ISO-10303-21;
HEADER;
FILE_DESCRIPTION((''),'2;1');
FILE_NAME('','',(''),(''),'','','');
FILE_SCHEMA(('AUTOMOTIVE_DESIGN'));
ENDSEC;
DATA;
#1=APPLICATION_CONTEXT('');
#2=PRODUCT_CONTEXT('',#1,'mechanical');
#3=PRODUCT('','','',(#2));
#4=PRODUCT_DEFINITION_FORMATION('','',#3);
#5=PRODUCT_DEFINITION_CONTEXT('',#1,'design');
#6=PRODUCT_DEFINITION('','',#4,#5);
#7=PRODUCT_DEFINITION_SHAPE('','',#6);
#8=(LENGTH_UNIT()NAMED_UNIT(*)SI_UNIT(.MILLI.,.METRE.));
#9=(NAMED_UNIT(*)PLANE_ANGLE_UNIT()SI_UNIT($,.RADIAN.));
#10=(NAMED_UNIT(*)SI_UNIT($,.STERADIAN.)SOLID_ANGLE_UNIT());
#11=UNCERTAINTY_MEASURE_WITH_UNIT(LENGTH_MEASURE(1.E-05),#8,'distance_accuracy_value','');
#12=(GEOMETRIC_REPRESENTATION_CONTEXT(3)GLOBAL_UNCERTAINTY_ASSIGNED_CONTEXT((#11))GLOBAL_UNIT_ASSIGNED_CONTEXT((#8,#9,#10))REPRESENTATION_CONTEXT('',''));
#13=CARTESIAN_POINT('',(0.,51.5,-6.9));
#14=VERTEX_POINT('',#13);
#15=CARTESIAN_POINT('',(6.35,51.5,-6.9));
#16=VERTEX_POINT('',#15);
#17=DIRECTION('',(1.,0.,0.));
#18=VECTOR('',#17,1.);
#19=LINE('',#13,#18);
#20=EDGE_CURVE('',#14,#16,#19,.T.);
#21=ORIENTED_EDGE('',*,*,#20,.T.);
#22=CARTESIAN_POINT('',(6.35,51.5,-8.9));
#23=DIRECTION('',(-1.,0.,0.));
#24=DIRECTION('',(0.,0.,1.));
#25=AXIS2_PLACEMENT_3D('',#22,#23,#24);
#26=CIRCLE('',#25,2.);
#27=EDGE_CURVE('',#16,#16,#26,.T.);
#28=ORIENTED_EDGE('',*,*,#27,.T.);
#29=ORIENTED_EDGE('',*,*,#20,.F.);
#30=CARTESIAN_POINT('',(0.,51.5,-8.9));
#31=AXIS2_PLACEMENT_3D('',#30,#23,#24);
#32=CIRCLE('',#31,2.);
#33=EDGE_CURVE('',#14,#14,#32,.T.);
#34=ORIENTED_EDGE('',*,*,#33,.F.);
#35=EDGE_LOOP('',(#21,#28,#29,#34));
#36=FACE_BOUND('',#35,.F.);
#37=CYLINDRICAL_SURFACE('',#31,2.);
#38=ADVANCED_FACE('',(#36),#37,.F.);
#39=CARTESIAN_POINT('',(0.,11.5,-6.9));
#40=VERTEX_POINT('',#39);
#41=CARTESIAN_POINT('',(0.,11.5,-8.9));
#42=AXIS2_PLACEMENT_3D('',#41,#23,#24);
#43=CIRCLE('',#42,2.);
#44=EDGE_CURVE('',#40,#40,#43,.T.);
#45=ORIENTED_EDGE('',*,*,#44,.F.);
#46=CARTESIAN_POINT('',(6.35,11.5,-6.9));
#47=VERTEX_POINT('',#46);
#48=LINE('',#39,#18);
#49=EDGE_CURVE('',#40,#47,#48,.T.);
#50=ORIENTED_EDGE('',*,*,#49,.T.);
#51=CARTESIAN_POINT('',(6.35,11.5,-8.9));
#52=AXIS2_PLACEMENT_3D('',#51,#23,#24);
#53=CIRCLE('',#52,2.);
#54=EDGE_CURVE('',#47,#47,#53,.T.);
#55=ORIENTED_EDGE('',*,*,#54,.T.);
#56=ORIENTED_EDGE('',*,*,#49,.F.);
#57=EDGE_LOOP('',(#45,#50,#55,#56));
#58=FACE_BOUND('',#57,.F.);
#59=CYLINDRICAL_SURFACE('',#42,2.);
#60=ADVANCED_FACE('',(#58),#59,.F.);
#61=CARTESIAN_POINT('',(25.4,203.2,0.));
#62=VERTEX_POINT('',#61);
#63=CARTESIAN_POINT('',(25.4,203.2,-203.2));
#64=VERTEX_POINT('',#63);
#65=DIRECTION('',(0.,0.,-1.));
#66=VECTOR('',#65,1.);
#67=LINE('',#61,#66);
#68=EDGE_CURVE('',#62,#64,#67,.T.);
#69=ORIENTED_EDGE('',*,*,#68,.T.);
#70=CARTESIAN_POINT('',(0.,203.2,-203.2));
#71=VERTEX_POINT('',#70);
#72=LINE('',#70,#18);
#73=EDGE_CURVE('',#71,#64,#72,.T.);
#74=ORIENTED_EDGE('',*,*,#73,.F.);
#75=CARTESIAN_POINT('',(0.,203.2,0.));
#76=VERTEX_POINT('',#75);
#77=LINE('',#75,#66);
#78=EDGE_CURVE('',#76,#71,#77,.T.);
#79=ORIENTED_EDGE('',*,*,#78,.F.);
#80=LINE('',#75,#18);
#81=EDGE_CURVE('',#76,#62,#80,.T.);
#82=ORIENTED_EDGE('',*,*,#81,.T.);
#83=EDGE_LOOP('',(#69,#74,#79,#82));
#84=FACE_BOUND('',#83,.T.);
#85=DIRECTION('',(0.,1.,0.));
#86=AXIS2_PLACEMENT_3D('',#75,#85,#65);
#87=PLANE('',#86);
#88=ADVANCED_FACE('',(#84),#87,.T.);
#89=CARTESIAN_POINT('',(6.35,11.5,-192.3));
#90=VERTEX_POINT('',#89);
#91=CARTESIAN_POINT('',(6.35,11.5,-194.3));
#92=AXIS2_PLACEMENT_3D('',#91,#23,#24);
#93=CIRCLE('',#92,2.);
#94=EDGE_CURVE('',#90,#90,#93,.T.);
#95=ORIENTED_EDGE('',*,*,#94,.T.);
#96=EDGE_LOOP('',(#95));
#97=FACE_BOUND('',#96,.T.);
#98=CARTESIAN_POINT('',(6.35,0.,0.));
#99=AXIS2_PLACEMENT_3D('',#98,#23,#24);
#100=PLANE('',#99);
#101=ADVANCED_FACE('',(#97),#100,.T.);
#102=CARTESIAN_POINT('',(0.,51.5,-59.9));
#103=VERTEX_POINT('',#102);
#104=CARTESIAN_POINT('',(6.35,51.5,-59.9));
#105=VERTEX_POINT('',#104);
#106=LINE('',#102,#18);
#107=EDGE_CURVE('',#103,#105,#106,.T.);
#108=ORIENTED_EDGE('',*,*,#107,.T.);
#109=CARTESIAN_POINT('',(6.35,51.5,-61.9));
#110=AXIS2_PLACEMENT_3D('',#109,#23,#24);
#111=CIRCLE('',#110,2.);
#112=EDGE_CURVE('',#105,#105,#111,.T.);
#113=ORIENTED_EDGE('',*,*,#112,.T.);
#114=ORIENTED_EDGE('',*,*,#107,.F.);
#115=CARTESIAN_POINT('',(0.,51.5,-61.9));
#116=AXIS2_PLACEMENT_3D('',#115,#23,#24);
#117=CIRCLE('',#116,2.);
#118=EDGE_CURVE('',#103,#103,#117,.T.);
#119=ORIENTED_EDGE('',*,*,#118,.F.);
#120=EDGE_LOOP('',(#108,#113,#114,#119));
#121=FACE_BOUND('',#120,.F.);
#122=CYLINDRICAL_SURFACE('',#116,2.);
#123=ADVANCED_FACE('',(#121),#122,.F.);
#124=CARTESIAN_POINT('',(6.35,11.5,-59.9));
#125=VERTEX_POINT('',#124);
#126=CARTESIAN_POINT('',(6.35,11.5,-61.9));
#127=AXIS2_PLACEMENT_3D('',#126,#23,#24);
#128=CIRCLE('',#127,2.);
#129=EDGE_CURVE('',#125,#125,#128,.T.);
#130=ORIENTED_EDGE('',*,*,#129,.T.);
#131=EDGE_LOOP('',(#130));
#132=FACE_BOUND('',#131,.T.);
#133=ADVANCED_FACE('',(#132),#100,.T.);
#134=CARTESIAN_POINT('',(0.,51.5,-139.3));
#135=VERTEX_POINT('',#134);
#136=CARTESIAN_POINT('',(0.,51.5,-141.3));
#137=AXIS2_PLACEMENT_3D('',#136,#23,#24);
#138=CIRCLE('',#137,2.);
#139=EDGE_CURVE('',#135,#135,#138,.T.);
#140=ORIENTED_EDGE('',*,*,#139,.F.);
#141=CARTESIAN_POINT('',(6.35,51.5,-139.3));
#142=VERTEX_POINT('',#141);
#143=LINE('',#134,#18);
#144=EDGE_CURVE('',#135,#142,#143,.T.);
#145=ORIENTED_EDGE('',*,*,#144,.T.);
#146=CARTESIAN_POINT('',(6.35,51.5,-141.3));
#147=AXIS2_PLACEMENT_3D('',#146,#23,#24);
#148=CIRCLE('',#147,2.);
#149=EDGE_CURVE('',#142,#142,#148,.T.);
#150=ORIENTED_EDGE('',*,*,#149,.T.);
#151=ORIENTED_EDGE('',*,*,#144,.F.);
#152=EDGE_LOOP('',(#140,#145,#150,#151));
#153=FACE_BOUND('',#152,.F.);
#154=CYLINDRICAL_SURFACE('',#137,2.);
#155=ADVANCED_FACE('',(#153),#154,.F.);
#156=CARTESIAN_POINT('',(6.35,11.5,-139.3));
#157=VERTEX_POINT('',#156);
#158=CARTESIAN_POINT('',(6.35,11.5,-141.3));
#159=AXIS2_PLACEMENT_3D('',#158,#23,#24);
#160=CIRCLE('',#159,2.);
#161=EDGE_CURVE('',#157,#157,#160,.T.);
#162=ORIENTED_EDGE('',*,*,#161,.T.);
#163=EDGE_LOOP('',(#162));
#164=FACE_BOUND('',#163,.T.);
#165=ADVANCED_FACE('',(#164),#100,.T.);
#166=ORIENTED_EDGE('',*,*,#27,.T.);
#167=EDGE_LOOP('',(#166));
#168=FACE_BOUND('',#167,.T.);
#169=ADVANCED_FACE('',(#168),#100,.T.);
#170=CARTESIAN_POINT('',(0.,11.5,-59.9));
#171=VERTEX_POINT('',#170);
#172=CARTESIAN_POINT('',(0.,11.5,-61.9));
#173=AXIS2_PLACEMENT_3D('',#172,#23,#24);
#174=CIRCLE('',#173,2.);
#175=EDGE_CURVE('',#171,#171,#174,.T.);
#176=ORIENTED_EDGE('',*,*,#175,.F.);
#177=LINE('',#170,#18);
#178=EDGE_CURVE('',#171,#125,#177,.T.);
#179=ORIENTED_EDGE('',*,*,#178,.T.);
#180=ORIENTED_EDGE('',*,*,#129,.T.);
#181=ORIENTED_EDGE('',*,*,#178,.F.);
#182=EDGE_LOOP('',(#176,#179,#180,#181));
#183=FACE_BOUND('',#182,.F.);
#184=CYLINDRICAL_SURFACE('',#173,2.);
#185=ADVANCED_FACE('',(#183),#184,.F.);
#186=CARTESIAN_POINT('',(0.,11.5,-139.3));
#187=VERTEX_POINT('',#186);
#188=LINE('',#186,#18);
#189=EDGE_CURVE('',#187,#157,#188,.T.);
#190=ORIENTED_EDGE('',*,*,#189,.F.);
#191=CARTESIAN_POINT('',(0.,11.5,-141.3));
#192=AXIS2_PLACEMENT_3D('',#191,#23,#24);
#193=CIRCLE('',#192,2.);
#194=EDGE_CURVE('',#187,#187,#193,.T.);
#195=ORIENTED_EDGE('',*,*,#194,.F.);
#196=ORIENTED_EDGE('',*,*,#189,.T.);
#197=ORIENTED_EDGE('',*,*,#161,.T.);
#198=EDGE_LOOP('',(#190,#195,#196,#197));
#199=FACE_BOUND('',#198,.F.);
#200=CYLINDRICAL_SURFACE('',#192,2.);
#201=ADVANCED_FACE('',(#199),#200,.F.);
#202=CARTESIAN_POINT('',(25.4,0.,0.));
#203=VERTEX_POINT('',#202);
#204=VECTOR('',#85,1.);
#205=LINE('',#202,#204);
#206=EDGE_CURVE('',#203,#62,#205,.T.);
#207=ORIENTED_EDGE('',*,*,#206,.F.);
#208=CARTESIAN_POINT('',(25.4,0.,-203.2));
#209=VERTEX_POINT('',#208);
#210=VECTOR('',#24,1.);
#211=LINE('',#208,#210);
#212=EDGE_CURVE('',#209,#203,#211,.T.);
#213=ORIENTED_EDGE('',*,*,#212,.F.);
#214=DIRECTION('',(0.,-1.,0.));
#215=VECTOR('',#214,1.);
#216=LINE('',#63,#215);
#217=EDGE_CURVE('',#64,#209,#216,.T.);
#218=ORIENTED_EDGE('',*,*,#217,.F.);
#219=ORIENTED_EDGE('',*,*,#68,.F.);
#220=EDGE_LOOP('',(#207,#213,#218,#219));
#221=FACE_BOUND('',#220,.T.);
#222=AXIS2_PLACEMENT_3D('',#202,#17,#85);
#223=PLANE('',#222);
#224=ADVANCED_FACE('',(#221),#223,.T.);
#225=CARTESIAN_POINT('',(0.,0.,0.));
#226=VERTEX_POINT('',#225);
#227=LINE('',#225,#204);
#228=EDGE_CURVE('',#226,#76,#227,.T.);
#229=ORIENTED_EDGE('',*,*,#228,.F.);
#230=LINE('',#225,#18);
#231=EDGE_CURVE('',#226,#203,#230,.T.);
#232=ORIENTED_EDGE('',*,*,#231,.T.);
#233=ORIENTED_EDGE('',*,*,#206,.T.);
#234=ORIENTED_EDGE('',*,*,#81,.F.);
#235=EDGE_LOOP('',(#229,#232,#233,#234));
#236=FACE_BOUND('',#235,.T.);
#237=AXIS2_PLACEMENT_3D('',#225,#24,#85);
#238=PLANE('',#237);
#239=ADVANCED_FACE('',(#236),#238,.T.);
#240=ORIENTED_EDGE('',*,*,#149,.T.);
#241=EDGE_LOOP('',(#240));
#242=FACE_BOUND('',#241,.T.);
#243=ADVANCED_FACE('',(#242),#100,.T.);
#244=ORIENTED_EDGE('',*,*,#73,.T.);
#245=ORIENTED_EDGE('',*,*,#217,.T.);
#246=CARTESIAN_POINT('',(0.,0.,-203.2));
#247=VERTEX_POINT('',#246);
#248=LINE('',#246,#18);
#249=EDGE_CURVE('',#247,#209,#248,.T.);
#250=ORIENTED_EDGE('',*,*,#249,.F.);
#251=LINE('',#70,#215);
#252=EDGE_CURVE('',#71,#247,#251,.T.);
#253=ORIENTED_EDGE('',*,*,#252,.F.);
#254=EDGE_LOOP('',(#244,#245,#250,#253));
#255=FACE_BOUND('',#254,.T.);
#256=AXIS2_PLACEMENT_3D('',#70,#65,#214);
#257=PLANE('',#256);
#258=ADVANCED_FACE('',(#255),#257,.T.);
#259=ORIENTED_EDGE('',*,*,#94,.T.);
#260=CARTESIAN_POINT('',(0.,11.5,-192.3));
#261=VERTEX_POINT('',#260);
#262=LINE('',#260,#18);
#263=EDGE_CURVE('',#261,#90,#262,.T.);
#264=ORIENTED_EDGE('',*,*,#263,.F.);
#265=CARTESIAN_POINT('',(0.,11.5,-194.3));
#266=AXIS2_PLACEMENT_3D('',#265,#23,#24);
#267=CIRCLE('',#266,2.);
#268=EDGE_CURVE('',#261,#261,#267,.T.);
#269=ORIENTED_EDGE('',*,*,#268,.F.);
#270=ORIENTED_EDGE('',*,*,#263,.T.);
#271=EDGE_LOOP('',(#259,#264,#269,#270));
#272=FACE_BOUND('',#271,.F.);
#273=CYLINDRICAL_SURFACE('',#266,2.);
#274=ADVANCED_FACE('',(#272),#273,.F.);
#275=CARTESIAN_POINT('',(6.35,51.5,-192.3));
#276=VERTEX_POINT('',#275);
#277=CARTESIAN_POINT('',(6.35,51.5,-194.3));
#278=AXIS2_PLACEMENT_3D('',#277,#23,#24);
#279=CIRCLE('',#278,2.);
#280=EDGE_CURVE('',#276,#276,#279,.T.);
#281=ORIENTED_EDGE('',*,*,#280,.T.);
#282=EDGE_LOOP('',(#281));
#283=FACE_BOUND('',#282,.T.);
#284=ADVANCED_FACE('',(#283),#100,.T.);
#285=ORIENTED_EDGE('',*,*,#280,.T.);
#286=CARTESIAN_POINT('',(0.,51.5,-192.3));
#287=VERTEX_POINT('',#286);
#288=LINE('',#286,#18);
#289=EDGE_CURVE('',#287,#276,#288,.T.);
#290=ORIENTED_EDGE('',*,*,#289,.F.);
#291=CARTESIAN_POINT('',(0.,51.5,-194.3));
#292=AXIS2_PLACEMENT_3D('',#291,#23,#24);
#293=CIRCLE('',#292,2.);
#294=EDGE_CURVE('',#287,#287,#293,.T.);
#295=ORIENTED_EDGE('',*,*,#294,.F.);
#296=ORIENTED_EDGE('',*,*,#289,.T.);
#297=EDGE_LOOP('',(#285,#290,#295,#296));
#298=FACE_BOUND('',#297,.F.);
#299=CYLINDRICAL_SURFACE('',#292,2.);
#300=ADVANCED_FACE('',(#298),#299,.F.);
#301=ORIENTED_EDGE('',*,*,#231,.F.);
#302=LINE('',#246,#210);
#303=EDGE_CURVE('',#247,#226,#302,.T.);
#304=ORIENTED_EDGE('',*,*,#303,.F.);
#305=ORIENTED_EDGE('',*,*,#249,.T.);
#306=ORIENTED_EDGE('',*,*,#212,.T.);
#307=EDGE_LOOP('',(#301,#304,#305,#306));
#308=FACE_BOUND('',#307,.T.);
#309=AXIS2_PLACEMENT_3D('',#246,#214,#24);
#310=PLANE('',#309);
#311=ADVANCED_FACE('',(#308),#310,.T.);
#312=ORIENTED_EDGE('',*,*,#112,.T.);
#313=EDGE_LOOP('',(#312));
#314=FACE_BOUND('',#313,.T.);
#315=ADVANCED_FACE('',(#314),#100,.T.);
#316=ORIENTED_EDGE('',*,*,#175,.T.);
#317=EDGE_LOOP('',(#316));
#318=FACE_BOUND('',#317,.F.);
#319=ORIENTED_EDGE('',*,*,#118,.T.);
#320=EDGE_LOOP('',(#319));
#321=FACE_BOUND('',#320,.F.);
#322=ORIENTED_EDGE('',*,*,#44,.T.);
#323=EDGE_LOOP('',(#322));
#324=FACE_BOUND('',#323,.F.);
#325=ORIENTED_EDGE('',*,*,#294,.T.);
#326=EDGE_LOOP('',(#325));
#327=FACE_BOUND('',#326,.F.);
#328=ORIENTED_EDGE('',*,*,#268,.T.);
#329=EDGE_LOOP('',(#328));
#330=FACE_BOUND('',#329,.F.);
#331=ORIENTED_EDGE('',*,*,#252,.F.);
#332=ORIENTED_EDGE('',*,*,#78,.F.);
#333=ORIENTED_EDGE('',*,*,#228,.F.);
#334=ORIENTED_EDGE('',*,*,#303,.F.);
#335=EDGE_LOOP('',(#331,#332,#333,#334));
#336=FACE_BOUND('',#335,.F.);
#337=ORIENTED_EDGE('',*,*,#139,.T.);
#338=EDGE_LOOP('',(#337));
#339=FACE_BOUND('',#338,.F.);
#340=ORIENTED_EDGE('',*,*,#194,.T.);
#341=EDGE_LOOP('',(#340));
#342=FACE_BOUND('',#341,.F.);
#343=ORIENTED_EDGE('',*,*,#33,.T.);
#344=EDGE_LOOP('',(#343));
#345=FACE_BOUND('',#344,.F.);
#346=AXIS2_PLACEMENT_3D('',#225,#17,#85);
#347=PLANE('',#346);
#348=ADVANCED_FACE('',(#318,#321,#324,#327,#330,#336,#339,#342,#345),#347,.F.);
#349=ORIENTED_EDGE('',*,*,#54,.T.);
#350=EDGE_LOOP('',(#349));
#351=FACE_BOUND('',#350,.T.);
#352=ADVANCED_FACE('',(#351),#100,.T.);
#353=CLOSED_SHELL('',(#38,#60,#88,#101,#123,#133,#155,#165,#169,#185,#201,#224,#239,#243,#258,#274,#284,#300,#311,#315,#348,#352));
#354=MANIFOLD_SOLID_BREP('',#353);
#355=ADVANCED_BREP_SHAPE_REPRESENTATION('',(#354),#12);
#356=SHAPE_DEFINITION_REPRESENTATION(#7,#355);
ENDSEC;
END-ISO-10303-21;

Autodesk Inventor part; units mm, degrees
ref_plane "YZ Plane" through (0, 0, 0) normal (1, 0, 0) x (0, 1, 0)
ref_plane "XZ Plane" through (0, 0, 0) normal (0, 1, 0) x (-1, 0, 0)
ref_plane "XY Plane" through (0, 0, 0) normal (0, 0, 1) x (1, 0, 0)
sketch "Sketch1" plane through (0, 0, 0) normal (1, 0, 0) x (0, 1, 0)
  line L0 (0, 0) -> (203.2, 0)
  line L1 (203.2, 0) -> (203.2, -203.2)
  line L2 (203.2, -203.2) -> (0, -203.2)
  line L3 (0, -203.2) -> (0, 0)
  dimension "d0" = 203.2
  dimension "d1" = 203.2
extrude "Extrusion1" add sketch "Sketch1" along normal blind 25.4
sketch "Sketch2" plane through (0, 0, 0) normal (-1, 0, 0) x (0, 0, 1)
  circle A0 centre (-141.3, 11.5) radius 2
  circle A1 centre (-141.3, 51.5) radius 2
  circle A2 centre (-194.3, 11.5) radius 2
  circle A3 centre (-194.3, 51.5) radius 2
  circle A4 centre (-8.9, 11.5) radius 2
  circle A5 centre (-8.9, 51.5) radius 2
  circle A6 centre (-61.9, 11.5) radius 2
  circle A7 centre (-61.9, 51.5) radius 2
  line L0 (-194.3, 11.5) -> (-141.3, 11.5) construction
  line L1 (-141.3, 11.5) -> (-141.3, 51.5) construction
  line L2 (-141.3, 51.5) -> (-194.3, 51.5) construction
  line L3 (-194.3, 51.5) -> (-194.3, 11.5) construction
  line L4 (-61.9, 11.5) -> (-8.9, 11.5) construction
  line L5 (-8.9, 11.5) -> (-8.9, 51.5) construction
  line L6 (-8.9, 51.5) -> (-61.9, 51.5) construction
  line L7 (-61.9, 51.5) -> (-61.9, 11.5) construction
  line L8 (0, 203.2) -> (0, 0) construction
  line L9 (-203.2, 0) -> (-203.2, 203.2) construction
  point P0 (-194.3, 31.5)
  point P1 (-8.9, 31.5)
  point P2 (0, 101.6)
  dimension "d4" = 4
  dimension "d5" = 53
  dimension "d6" = 40
  dimension "d7" = 8.9
  dimension "d8" = 8.9
  dimension "d11" = 31.5
extrude "Extrusion2" cut sketch "Sketch2" against normal blind 6.35
properties part number "Z_PLATE"
